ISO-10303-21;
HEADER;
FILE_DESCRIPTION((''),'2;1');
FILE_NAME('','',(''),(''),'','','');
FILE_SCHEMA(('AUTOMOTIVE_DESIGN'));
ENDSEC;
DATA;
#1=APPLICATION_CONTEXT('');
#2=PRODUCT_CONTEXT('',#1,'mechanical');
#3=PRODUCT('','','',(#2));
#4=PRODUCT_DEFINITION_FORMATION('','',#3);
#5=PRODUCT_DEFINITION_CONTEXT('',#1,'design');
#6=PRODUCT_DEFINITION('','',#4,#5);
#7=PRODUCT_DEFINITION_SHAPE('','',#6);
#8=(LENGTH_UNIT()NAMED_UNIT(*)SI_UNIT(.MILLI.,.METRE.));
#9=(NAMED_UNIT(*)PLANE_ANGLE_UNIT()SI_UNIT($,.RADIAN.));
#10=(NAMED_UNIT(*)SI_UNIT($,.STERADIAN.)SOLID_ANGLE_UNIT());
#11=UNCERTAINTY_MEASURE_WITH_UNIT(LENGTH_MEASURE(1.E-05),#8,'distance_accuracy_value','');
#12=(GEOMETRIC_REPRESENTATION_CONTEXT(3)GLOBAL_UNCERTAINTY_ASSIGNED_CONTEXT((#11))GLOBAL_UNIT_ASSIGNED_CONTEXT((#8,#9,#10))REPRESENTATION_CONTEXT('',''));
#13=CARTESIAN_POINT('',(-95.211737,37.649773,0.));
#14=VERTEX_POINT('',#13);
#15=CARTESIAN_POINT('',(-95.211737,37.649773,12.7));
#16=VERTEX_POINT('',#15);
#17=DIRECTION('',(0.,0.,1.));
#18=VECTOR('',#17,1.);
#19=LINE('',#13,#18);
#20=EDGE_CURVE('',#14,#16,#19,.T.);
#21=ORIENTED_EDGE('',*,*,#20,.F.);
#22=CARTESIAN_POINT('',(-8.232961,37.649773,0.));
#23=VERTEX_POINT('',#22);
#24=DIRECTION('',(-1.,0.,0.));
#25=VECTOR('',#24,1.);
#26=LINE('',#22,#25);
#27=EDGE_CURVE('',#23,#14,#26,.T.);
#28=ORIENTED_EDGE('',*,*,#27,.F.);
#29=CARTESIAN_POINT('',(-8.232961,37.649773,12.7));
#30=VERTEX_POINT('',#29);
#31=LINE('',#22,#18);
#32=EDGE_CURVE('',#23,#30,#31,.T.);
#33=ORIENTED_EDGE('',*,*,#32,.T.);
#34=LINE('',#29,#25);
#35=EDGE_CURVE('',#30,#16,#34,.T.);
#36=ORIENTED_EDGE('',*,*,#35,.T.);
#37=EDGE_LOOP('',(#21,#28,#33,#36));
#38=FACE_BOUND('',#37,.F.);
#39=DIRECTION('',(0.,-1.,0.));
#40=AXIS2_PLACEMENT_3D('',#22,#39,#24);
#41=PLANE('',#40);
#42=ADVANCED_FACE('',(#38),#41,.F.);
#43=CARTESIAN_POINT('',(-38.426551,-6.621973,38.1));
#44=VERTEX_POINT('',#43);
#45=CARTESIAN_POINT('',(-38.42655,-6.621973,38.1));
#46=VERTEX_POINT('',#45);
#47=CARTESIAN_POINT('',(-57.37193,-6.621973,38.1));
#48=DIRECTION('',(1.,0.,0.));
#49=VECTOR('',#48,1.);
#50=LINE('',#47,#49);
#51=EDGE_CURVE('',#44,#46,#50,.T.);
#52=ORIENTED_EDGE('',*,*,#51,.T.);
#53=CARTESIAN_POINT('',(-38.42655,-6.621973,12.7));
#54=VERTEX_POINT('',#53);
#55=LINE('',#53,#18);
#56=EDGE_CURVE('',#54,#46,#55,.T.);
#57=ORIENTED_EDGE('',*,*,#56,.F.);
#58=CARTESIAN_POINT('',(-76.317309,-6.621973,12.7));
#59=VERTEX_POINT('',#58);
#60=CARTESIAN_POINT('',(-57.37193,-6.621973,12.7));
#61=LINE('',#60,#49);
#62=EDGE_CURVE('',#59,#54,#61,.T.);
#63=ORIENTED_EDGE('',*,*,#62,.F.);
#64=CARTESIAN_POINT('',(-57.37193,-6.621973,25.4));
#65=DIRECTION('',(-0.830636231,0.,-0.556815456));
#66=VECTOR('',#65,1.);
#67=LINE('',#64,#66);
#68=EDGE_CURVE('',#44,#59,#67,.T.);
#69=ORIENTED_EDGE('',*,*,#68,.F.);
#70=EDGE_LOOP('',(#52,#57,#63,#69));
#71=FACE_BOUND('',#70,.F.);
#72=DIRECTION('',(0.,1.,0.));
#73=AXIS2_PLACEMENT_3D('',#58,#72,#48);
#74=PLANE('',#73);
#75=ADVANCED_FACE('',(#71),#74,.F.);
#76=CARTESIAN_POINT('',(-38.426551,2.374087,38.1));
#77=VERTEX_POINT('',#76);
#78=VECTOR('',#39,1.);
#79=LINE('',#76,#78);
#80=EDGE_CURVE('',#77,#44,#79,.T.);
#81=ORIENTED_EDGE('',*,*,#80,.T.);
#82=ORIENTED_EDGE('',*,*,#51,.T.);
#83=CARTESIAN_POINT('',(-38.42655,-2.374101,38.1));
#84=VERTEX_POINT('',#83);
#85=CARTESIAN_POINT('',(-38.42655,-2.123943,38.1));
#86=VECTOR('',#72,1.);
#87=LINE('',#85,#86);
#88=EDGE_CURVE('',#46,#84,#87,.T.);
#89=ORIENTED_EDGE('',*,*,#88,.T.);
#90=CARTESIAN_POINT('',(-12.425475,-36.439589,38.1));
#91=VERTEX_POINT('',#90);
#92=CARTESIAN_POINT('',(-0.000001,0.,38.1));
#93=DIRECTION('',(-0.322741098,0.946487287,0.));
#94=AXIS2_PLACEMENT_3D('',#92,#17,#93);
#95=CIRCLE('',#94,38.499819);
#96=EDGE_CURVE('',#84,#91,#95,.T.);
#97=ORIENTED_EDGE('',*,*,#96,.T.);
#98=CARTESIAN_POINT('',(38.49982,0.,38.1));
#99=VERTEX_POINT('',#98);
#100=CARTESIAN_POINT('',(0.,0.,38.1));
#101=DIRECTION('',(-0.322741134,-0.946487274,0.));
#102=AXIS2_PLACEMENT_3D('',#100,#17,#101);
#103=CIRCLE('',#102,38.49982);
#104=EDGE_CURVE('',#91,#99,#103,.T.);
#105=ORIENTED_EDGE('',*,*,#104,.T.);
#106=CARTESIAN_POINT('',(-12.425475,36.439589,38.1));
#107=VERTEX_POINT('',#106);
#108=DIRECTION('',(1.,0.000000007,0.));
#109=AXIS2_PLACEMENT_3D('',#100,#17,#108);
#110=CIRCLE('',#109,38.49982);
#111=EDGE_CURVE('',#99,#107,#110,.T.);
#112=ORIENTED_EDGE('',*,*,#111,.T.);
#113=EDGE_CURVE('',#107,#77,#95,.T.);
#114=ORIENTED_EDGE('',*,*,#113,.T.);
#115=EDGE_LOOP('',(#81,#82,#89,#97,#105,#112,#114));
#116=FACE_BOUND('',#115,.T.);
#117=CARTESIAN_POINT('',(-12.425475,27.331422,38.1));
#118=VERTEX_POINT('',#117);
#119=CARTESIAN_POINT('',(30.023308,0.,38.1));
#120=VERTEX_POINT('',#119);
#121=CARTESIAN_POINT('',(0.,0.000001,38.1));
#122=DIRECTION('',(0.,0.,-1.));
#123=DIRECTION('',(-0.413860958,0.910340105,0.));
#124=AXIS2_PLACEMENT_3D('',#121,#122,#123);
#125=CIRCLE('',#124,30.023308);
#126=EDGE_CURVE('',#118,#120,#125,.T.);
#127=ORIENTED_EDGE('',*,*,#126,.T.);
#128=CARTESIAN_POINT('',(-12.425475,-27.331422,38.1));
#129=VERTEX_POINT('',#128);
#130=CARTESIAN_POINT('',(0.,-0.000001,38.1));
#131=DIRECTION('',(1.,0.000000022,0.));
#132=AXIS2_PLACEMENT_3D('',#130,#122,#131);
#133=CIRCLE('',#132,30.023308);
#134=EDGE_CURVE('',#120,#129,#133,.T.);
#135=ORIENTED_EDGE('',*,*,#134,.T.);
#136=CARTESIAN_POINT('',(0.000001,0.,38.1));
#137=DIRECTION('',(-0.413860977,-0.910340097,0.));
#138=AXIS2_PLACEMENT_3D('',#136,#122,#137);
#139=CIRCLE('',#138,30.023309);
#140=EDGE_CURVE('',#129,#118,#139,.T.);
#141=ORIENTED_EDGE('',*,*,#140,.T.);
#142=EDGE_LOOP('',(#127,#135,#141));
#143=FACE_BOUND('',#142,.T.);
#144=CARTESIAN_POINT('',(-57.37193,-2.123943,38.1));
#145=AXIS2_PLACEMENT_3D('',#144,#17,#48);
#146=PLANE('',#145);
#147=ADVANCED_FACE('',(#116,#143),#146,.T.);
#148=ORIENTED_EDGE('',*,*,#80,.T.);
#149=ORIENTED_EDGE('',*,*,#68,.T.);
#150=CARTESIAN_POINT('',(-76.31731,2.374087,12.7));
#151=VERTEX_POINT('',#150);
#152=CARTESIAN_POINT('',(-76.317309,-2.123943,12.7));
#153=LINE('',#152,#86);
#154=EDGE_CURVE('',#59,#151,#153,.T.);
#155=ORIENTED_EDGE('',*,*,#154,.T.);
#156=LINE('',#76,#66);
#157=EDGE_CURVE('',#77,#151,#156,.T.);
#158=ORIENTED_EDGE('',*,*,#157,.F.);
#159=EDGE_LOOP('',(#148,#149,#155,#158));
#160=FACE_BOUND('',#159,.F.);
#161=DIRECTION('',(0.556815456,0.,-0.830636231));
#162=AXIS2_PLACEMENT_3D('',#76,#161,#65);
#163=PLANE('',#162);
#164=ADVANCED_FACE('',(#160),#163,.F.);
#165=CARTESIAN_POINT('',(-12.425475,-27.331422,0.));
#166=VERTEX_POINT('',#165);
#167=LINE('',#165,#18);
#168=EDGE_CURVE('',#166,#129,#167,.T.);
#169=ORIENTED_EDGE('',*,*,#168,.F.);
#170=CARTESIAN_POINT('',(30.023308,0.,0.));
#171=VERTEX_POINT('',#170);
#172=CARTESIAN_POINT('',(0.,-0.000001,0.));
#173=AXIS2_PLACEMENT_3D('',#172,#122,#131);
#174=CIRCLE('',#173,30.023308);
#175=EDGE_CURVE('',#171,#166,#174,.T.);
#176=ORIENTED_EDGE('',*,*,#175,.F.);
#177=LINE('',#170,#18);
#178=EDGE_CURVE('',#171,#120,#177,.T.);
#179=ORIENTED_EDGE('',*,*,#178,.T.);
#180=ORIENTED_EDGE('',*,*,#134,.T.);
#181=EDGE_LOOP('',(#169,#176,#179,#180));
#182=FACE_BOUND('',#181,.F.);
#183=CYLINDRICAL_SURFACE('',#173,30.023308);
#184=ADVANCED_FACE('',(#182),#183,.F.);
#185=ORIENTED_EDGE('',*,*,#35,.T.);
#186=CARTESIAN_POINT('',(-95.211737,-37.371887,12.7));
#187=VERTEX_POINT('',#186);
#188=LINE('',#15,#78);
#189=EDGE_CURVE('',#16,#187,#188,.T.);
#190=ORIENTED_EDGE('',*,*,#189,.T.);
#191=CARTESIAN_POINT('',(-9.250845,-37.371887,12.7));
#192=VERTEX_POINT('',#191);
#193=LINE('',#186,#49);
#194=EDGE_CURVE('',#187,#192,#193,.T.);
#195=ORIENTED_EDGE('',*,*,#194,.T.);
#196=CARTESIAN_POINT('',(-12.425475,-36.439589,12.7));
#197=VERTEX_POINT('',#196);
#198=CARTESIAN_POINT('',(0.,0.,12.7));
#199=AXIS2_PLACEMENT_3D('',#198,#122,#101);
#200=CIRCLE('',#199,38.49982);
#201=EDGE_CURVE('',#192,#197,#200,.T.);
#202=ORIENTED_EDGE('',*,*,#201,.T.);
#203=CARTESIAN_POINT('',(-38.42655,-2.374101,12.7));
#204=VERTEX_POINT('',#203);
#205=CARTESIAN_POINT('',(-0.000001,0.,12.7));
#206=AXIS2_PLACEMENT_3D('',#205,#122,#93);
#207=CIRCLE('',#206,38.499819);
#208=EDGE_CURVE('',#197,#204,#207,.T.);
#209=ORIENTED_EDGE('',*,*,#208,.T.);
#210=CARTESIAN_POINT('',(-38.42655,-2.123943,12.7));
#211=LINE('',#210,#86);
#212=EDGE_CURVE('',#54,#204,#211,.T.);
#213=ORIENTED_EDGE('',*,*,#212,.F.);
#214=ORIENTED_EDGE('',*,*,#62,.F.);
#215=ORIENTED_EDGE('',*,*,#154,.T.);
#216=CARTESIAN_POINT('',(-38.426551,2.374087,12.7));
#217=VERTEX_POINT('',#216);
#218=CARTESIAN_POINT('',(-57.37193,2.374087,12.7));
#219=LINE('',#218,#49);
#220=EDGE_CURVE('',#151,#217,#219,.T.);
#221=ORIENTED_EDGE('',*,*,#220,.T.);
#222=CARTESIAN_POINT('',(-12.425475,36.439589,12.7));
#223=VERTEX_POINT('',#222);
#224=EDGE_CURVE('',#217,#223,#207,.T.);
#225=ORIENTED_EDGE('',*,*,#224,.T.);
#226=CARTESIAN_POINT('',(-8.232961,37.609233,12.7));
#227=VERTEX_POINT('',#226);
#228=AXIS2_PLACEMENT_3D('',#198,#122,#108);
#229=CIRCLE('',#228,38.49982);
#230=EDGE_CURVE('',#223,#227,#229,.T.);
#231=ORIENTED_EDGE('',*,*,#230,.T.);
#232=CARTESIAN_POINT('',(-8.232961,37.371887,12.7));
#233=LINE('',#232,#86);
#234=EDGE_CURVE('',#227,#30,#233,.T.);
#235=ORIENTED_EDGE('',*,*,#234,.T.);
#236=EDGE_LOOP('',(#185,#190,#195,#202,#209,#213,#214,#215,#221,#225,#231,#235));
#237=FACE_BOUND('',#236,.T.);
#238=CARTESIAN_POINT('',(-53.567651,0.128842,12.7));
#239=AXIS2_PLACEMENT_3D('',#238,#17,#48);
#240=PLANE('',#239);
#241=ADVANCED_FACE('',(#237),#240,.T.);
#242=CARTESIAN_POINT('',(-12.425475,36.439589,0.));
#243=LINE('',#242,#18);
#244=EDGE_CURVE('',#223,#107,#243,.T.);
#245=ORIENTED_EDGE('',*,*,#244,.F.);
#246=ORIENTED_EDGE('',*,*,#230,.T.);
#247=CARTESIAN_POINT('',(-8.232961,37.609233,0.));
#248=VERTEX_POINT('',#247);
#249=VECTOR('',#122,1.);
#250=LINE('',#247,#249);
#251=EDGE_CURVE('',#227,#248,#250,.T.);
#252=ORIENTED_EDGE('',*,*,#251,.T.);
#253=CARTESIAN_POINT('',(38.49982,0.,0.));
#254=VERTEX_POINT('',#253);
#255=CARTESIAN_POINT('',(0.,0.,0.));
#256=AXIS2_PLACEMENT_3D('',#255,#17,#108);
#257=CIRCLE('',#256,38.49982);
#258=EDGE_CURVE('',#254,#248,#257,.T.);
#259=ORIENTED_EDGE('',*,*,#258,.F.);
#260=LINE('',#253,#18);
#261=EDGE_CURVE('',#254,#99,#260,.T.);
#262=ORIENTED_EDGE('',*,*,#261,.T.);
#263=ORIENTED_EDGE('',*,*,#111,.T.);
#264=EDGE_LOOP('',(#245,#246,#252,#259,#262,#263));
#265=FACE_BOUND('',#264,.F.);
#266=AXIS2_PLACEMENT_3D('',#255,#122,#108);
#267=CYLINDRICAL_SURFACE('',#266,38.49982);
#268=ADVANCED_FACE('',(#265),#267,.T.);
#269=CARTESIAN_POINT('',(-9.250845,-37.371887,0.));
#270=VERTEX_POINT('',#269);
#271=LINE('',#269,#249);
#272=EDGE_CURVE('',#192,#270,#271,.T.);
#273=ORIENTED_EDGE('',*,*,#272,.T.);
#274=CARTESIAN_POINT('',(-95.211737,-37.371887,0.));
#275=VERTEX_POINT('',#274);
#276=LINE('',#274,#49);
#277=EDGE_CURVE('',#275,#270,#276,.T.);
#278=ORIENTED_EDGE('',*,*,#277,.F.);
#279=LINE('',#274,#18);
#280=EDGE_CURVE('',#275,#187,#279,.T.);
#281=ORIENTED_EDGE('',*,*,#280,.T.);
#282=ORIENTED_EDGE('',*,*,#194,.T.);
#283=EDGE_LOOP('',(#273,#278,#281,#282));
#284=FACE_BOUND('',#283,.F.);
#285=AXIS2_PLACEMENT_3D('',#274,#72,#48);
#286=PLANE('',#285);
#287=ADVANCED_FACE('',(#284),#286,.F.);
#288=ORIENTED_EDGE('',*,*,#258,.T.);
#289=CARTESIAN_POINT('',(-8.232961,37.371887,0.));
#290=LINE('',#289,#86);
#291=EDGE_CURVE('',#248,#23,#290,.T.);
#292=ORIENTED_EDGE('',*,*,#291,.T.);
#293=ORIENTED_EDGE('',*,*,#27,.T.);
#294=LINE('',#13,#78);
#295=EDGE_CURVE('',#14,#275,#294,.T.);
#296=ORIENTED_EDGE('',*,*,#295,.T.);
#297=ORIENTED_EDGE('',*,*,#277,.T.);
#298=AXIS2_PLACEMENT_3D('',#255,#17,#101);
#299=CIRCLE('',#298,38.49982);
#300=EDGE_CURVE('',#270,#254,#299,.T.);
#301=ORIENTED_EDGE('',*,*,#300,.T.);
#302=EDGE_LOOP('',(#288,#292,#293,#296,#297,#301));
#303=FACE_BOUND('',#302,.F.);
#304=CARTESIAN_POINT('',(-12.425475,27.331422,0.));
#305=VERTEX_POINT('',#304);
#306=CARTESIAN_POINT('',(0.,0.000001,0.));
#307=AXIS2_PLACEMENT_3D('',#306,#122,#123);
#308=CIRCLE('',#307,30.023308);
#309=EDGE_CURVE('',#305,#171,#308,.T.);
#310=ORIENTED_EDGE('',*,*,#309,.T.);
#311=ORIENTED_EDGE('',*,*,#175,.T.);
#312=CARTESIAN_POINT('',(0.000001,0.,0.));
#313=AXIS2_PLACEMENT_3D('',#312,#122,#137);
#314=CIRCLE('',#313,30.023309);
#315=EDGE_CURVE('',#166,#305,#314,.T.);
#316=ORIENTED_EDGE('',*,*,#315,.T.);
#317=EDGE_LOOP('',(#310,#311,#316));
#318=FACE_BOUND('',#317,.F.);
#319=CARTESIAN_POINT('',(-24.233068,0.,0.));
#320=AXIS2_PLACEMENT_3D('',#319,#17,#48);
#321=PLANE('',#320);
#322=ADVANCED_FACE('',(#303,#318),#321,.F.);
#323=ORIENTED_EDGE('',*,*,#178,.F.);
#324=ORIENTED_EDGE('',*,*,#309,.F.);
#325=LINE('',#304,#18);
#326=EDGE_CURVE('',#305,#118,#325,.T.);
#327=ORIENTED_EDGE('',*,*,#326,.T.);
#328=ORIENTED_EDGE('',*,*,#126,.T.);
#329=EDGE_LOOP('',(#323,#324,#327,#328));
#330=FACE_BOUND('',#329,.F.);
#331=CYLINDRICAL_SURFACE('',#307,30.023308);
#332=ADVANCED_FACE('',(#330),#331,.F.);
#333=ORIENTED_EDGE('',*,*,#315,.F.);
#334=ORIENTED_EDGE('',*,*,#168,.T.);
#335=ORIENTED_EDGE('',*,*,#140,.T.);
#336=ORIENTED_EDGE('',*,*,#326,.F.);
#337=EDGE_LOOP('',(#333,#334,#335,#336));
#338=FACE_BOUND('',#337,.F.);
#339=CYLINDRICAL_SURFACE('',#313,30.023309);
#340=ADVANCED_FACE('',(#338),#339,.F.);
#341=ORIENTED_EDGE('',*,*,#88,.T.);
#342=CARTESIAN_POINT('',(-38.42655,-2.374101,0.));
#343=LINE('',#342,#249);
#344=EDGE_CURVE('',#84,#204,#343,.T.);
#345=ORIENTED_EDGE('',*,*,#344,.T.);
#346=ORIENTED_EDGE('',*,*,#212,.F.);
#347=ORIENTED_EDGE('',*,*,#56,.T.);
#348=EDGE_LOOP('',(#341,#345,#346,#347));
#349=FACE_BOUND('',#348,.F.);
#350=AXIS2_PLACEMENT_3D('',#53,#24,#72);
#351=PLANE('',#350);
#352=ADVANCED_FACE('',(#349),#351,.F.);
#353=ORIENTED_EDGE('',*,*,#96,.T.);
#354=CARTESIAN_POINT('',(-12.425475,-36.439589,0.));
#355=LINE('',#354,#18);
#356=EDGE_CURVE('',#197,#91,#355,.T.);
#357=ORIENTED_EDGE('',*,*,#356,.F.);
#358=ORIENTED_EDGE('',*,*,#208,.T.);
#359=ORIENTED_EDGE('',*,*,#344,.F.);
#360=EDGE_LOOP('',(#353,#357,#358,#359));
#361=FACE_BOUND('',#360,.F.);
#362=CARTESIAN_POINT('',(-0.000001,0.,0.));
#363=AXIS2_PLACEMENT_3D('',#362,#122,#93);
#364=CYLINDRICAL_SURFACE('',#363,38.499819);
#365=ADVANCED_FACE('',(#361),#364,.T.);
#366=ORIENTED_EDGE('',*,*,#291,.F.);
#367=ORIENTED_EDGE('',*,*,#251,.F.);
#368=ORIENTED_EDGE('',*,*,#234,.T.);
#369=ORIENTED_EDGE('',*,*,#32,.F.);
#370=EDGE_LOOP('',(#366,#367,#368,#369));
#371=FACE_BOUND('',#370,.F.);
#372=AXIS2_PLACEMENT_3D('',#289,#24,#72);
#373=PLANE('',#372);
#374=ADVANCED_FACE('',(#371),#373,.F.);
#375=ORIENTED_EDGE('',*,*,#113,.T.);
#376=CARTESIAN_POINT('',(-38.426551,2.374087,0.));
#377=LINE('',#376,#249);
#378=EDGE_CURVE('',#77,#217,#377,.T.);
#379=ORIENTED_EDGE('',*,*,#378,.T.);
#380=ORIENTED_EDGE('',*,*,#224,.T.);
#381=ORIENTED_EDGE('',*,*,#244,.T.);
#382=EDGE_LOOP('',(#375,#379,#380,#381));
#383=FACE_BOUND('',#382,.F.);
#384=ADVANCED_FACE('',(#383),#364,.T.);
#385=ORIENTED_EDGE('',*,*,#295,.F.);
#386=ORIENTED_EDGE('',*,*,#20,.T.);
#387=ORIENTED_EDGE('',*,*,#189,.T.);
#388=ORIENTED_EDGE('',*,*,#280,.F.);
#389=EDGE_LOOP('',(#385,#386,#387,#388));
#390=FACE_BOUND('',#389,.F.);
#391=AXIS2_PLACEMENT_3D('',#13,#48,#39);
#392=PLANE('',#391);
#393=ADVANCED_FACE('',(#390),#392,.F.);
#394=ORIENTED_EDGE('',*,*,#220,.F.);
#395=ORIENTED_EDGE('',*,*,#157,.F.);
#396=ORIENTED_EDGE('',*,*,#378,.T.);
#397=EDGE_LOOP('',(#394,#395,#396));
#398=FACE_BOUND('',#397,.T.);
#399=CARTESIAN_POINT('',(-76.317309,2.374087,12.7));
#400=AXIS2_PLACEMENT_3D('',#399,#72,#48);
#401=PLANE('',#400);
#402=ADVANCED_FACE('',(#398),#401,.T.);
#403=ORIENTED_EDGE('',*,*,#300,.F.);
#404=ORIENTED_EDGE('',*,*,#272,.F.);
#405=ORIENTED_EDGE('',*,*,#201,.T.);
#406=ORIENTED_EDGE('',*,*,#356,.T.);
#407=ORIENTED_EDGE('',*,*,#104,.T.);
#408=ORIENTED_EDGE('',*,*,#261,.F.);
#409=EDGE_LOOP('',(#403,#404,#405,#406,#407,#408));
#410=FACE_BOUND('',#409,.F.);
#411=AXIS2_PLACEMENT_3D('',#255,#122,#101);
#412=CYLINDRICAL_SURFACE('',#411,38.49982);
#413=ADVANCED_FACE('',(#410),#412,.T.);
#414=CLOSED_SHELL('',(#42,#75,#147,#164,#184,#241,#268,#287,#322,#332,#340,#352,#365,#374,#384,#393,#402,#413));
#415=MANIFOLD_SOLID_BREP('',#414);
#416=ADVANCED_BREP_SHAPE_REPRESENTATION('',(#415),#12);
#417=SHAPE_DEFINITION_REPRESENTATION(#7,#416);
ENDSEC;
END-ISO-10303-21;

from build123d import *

# Parameters (mm, degrees)
F1_DEPTH = 38.1
F3_DEPTH = 12.7
F4_W     = 37.890759
F4_H     = 8.996059
F5_DEPTH = 25.4
F7_DEPTH = 25.4


with BuildPart() as f1:
    # F0 (on Top) → F1 (new body)
    with BuildSketch(Plane.XY):
        with BuildLine():
            Line((-12.425475, 27.331422), (-12.425475, 36.439589))
            ThreePointArc((-12.425475, 36.439589), (-38.49982, 0), (-12.425475, -36.439589))
            Line((-12.425475, -36.439589), (-12.425475, -27.331422))
            ThreePointArc((-12.425475, -27.331422), (-30.023308, 0), (-12.425475, 27.331422))
        make_face()
        with BuildLine():
            ThreePointArc((-12.425475, -36.439589), (22.403767, -31.30986), (38.49982, 0))
            ThreePointArc((38.49982, 0), (22.403767, 31.30986), (-12.425475, 36.439589))
            Line((-12.425475, 36.439589), (-12.425475, 27.331422))
            ThreePointArc((-12.425475, 27.331422), (16.253387, 25.243345), (30.023308, 0))
            ThreePointArc((30.023308, 0), (16.253387, -25.243345), (-12.425475, -27.331422))
            Line((-12.425475, -27.331422), (-12.425475, -36.439589))
        make_face()
    extrude(amount=F1_DEPTH)

    # F2 (on Top) → F3 (join)
    with BuildSketch(Plane.XY):
        with BuildLine():
            ThreePointArc((-8.232961, -37.371887), (-38.267997, 0), (-8.232961, 37.371887))
            Line((-8.232961, 37.371887), (-8.232961, 37.649773))
            Line((-8.232961, 37.649773), (-95.211737, 37.649773))
            Line((-95.211737, 37.649773), (-95.211737, -37.371887))
            Line((-95.211737, -37.371887), (-8.232961, -37.371887))
        make_face()
    extrude(amount=F3_DEPTH)

    # F4 (on face) → F5 (join)
    with BuildSketch(Plane.XY.offset(12.7)):
        with Locations((-57.37193, -2.123943)):
            Rectangle(F4_W, F4_H)
    extrude(amount=F5_DEPTH)

    # F6 (on face) → F7 (cut)
    with BuildSketch(Plane(origin=(0, 2.374087, 0), x_dir=(-1, 0, 0), z_dir=(0, 1, 0))):
        Polygon((76.31731, 38.1), (38.426551, 38.1), (76.31731, 12.7), align=None)
    extrude(amount=-F7_DEPTH, mode=Mode.SUBTRACT)


solid = f1.part
